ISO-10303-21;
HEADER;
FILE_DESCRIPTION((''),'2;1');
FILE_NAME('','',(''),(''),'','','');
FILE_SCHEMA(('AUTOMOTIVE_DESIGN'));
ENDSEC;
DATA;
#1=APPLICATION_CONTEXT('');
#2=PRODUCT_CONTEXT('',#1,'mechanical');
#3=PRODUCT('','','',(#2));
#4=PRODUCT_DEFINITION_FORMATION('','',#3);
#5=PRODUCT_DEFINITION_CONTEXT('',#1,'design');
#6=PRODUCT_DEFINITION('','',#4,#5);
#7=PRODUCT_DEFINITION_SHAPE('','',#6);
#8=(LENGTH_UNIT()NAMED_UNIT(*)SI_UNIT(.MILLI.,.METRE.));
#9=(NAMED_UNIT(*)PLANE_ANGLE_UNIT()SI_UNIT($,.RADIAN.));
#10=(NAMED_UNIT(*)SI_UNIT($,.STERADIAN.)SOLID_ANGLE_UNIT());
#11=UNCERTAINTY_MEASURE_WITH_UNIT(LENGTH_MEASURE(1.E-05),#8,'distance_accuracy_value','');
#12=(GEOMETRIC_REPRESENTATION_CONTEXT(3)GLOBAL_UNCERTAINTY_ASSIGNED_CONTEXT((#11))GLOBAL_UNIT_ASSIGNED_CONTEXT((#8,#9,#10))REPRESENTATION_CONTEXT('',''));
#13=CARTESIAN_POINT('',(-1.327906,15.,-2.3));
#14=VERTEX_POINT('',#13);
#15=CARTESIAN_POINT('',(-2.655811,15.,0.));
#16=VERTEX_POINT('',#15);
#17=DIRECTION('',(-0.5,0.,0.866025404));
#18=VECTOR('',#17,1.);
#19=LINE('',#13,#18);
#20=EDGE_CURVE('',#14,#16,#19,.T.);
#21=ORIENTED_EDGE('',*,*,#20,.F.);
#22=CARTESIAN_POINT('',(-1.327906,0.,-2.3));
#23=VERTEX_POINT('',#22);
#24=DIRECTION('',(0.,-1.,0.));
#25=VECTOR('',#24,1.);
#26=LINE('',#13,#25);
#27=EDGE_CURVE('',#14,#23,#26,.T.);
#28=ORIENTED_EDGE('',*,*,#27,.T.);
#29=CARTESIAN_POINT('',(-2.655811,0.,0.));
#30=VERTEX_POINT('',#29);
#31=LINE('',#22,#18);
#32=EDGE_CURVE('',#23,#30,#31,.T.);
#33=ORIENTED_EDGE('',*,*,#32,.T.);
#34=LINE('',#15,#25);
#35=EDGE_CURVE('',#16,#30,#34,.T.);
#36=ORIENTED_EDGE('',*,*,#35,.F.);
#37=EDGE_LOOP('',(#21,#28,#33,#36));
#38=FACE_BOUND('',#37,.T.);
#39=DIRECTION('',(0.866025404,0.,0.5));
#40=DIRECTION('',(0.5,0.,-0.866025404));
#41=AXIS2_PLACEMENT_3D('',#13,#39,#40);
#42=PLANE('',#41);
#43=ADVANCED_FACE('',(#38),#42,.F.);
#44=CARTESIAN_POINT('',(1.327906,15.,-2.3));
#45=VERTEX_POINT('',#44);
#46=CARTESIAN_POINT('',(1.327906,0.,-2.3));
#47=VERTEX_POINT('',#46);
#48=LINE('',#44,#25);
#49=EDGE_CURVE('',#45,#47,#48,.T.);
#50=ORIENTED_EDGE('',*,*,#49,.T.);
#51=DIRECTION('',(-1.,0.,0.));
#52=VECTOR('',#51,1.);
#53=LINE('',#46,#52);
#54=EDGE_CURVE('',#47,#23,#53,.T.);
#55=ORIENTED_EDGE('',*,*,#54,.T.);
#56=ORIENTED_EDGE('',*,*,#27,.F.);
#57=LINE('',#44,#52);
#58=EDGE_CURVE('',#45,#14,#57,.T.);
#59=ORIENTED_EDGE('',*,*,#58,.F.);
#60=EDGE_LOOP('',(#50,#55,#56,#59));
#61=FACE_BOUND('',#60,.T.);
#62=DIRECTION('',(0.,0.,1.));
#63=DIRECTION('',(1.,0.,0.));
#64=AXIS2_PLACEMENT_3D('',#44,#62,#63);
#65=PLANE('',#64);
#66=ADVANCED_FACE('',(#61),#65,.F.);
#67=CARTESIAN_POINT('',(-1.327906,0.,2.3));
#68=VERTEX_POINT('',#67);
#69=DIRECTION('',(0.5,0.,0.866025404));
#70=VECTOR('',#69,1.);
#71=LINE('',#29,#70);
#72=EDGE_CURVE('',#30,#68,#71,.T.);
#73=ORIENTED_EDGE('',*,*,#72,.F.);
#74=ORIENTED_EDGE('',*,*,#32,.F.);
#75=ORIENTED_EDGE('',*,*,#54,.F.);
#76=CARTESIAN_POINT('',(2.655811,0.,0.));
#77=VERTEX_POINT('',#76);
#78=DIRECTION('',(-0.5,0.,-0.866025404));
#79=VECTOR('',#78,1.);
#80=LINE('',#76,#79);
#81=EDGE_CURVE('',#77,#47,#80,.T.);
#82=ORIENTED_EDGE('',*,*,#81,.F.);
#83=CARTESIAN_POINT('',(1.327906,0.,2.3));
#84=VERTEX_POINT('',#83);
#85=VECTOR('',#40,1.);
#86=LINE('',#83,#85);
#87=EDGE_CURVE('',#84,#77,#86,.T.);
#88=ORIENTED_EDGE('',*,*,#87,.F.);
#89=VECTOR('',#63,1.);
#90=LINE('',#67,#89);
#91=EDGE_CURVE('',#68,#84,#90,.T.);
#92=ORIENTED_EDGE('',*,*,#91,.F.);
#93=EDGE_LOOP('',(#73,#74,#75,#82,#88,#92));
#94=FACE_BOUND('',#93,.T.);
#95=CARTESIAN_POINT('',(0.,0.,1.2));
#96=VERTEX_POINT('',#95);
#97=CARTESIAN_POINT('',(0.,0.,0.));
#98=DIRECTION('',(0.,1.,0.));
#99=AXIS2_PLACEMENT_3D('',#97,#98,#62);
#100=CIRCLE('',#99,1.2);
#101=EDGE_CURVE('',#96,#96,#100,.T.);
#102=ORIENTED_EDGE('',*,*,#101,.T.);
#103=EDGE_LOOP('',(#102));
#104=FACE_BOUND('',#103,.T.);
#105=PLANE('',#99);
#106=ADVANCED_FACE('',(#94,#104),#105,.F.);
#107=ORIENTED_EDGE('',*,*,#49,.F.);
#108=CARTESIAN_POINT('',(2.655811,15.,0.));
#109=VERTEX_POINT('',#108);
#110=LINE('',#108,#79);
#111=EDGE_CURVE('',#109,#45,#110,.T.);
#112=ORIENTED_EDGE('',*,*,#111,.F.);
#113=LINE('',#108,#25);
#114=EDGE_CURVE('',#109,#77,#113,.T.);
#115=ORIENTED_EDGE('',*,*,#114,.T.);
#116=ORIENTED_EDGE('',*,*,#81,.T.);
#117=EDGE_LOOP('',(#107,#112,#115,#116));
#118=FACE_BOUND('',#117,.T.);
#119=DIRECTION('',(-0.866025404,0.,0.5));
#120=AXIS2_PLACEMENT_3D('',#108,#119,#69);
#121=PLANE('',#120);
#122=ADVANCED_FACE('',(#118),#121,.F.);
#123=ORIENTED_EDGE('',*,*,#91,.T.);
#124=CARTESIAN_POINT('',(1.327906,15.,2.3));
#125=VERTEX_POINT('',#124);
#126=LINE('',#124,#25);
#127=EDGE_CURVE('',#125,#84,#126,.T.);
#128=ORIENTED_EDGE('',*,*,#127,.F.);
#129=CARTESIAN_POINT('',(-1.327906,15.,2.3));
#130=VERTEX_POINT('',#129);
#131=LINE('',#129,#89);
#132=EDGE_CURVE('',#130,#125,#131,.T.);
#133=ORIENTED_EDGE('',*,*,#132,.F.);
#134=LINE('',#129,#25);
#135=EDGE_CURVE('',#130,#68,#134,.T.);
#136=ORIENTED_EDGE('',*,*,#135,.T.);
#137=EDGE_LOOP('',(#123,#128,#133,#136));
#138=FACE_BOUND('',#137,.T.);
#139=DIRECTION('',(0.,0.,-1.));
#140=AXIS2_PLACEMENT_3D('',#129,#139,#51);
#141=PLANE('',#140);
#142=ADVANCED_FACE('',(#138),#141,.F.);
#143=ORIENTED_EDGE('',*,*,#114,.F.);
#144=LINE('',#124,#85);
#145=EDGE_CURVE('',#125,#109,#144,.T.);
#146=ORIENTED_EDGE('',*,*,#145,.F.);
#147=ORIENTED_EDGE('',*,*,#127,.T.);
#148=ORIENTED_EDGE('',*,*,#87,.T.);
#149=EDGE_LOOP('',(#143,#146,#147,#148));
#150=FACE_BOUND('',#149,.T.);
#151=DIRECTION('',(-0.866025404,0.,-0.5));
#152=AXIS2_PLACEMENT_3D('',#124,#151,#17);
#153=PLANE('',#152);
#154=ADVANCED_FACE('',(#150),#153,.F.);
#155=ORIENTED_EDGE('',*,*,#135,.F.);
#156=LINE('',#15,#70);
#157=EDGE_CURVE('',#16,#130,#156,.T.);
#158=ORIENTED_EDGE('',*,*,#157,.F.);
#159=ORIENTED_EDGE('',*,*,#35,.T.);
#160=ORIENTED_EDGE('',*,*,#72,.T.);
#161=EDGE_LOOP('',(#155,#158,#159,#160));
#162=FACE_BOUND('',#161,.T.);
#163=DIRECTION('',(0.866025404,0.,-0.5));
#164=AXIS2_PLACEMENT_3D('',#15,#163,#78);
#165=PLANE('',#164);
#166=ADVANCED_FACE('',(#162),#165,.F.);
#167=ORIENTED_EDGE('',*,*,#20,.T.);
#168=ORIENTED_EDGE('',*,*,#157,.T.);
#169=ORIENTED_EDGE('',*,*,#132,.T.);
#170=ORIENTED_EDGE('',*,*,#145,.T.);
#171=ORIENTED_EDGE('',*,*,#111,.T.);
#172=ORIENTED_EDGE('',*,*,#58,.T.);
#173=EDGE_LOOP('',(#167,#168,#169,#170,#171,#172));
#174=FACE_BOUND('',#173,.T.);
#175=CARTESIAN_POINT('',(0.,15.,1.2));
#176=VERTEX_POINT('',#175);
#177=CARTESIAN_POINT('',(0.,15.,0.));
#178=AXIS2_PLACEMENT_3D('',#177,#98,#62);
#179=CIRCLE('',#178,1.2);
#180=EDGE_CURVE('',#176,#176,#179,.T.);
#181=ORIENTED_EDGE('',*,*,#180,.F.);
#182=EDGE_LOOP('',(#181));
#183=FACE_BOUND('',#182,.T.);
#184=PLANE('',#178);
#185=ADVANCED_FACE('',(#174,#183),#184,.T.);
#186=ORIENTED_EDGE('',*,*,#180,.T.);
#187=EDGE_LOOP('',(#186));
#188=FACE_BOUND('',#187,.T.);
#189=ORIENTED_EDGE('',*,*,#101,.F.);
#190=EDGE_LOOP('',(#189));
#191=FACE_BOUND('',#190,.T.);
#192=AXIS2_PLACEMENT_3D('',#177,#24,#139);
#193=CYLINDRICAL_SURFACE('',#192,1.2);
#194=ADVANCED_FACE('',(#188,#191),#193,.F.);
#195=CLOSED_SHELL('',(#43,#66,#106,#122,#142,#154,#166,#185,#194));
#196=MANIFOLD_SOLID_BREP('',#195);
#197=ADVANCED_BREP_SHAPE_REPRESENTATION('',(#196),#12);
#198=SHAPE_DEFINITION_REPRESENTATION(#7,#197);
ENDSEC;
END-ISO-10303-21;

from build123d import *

# Parameters (mm, degrees)
SKETCH_1_R      = 1.2
EXTRUDE_1_DEPTH = 15


with BuildPart() as part:
    # 草图1 → 凸台-拉伸1 (new body)
    with BuildSketch(Plane(origin=(0, 0, 0), x_dir=(1, 0, 0), z_dir=(0, 1, 0))):
        Polygon((2.655811238, 0), (1.327905619, 2.3), (-1.327905619, 2.3), (-2.655811238, 0), (-1.327905619, -2.3), (1.327905619, -2.3), align=None)
        with Locations(Location((0, 0, 0), (0, 0, 270))):
            Circle(SKETCH_1_R, mode=Mode.SUBTRACT)
    extrude(amount=EXTRUDE_1_DEPTH)


solid = part.part
